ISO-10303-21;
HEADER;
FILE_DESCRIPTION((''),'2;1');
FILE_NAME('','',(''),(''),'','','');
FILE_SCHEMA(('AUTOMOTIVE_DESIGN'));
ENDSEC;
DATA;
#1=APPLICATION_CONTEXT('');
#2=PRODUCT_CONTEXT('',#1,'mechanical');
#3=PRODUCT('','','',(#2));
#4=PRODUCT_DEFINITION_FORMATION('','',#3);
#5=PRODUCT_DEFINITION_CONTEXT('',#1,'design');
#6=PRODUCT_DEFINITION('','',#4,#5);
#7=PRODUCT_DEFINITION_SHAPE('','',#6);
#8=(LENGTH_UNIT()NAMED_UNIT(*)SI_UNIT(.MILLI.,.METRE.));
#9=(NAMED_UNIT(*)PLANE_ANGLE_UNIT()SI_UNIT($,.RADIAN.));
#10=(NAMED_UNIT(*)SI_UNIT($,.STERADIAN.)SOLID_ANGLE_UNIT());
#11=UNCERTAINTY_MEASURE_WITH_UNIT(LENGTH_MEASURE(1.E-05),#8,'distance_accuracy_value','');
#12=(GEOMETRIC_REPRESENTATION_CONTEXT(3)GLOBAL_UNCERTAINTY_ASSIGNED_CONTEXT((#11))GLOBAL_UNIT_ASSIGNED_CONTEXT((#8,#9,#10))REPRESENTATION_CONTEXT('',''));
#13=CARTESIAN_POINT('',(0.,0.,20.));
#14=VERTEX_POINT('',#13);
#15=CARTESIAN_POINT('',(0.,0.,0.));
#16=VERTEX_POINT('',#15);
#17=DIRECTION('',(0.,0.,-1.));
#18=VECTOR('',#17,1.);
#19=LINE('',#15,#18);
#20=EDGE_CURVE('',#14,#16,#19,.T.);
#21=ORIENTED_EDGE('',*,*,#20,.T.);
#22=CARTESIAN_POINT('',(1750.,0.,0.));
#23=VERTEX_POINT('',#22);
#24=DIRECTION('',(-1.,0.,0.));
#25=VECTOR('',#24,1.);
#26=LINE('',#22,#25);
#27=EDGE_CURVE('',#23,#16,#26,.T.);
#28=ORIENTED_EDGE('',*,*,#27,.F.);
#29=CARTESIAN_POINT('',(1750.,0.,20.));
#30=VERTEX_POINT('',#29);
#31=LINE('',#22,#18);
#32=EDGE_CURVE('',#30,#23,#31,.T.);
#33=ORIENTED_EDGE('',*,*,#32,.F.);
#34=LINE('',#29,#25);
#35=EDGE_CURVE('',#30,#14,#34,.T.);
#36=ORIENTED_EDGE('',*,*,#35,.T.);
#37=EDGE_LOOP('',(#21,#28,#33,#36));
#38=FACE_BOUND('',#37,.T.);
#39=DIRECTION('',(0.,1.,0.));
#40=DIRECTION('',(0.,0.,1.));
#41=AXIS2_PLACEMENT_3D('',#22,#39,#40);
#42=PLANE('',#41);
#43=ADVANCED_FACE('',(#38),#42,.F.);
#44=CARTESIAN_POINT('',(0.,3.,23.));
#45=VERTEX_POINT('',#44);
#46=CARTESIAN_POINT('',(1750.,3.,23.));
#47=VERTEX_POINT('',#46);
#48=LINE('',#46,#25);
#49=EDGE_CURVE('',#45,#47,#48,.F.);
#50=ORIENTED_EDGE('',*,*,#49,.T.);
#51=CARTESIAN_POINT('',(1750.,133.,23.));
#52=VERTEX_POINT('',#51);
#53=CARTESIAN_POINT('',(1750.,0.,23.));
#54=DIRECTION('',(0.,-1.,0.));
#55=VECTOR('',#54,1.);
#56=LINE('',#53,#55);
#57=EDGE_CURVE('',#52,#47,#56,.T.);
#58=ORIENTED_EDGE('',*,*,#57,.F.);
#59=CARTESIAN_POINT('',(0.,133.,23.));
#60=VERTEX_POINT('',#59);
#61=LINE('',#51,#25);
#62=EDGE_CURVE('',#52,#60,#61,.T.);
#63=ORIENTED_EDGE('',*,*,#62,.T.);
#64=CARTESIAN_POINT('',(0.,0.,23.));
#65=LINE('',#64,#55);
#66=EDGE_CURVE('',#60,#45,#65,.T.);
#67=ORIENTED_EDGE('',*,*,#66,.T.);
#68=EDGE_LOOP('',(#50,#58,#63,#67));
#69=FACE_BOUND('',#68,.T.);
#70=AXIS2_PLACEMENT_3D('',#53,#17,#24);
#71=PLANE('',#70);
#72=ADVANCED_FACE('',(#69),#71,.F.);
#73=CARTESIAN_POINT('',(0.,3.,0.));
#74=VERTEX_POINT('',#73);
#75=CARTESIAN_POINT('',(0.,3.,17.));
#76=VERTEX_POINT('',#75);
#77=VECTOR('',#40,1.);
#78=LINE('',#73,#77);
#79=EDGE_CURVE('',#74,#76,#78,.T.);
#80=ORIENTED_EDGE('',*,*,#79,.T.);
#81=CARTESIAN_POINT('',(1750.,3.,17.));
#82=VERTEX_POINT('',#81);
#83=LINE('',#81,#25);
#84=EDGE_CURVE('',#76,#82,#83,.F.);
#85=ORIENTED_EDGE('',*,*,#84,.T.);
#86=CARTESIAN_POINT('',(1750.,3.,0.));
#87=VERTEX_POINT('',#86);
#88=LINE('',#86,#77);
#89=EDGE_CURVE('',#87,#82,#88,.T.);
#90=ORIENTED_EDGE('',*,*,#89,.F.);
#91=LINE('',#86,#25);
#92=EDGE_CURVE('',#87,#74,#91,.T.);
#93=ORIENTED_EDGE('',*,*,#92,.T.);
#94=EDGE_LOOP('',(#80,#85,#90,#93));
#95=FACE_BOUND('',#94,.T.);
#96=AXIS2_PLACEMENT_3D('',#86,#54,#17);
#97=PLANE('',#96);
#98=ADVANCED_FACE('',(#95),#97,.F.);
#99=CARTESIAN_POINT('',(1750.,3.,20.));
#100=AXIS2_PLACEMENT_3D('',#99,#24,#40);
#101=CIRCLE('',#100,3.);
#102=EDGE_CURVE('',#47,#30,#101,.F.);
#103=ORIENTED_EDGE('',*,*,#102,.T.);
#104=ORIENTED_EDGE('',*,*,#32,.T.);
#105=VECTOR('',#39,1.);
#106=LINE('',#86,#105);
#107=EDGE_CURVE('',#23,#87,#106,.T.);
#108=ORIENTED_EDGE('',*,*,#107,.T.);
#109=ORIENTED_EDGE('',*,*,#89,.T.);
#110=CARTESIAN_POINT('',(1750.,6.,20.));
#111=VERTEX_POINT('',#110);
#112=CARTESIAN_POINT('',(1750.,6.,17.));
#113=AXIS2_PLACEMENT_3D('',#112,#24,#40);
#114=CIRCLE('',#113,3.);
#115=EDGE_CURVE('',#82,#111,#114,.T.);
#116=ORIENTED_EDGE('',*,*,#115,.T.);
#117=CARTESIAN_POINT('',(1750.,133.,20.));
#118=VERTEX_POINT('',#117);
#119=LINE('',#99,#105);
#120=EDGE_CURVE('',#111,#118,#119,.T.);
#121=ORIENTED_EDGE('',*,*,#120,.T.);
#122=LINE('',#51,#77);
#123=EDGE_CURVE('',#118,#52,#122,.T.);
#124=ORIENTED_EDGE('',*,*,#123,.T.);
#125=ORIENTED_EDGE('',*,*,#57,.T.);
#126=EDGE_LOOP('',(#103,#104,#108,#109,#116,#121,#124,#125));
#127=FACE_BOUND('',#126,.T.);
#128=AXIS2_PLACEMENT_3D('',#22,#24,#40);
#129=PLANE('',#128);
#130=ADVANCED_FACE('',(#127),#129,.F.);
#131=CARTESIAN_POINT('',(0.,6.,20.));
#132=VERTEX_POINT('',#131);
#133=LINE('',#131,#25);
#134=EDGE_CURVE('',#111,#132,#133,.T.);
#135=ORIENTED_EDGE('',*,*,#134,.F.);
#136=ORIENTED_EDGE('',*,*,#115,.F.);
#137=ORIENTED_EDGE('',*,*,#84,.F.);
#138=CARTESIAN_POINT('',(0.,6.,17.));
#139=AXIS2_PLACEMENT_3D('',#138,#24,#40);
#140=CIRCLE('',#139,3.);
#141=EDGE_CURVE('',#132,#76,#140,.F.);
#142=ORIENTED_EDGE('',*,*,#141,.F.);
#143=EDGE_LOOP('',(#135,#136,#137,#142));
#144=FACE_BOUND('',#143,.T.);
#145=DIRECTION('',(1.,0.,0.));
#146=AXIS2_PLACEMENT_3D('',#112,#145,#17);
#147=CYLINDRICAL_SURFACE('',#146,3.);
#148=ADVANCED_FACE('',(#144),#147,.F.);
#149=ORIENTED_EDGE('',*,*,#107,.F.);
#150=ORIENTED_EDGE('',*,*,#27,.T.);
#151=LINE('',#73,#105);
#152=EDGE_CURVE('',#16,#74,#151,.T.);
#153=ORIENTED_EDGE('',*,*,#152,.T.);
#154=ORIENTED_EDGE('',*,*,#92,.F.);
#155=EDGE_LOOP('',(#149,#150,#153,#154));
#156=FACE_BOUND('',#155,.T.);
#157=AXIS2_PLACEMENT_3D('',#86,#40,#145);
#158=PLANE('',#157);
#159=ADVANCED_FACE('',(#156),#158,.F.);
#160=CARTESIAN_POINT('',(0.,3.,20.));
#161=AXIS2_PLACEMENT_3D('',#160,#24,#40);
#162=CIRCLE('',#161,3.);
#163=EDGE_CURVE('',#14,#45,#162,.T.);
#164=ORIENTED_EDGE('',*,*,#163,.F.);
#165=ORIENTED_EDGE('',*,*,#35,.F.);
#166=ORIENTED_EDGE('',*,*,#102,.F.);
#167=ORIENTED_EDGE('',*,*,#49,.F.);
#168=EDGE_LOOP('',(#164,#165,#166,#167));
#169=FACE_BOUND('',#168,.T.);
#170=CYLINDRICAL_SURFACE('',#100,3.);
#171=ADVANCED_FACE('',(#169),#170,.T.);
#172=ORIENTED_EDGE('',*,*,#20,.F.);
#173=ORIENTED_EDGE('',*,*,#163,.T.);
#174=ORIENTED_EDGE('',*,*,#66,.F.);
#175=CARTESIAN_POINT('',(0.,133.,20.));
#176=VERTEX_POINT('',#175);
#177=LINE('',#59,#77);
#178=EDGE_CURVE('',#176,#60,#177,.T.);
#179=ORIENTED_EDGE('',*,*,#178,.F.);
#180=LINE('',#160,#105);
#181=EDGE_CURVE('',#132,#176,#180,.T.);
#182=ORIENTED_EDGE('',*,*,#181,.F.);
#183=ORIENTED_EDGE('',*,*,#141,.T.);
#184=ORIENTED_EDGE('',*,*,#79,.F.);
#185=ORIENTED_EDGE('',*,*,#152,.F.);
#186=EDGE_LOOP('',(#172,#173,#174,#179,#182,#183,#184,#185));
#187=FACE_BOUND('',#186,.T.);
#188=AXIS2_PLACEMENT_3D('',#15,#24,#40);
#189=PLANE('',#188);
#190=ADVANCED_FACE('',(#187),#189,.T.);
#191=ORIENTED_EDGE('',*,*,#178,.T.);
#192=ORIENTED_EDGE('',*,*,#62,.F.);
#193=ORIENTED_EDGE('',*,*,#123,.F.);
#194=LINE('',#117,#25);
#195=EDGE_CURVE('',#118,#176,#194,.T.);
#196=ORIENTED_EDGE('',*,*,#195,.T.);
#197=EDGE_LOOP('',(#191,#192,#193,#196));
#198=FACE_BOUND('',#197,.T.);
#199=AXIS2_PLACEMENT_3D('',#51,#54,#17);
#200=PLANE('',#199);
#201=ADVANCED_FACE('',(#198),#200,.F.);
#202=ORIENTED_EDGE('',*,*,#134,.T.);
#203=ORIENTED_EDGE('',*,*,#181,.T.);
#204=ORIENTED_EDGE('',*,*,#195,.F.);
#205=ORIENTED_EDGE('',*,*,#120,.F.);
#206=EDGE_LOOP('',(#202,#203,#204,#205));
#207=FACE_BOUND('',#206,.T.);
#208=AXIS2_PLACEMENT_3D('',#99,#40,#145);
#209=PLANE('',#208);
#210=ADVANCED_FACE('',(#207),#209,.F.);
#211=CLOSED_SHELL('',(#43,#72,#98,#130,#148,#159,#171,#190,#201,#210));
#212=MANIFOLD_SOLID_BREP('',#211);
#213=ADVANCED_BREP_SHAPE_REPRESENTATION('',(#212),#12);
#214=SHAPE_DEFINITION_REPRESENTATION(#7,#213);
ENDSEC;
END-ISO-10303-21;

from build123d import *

# Parameters (mm, degrees)
BOSS_EXTRUDE1_DEPTH = 1750
FILLET1_R           = 3


with BuildPart() as part:
    # Sketch1 → Boss-Extrude1 (new body)
    with BuildSketch(Plane(origin=(0, 0, 0), x_dir=(0, 0, -1), z_dir=(1, 0, 0))):
        Polygon((0, 0), (-23, 0), (-23, 133), (-20, 133), (-20, 3), (0, 3), align=None)
    extrude(amount=BOSS_EXTRUDE1_DEPTH)

    # Fillet1
    fillet1_edges = [part.edges().sort_by_distance(p)[0] for p in [
        (875, 0, 23),
        (875, 3, 20),
    ]]
    fillet(fillet1_edges, radius=FILLET1_R)


solid = part.part
